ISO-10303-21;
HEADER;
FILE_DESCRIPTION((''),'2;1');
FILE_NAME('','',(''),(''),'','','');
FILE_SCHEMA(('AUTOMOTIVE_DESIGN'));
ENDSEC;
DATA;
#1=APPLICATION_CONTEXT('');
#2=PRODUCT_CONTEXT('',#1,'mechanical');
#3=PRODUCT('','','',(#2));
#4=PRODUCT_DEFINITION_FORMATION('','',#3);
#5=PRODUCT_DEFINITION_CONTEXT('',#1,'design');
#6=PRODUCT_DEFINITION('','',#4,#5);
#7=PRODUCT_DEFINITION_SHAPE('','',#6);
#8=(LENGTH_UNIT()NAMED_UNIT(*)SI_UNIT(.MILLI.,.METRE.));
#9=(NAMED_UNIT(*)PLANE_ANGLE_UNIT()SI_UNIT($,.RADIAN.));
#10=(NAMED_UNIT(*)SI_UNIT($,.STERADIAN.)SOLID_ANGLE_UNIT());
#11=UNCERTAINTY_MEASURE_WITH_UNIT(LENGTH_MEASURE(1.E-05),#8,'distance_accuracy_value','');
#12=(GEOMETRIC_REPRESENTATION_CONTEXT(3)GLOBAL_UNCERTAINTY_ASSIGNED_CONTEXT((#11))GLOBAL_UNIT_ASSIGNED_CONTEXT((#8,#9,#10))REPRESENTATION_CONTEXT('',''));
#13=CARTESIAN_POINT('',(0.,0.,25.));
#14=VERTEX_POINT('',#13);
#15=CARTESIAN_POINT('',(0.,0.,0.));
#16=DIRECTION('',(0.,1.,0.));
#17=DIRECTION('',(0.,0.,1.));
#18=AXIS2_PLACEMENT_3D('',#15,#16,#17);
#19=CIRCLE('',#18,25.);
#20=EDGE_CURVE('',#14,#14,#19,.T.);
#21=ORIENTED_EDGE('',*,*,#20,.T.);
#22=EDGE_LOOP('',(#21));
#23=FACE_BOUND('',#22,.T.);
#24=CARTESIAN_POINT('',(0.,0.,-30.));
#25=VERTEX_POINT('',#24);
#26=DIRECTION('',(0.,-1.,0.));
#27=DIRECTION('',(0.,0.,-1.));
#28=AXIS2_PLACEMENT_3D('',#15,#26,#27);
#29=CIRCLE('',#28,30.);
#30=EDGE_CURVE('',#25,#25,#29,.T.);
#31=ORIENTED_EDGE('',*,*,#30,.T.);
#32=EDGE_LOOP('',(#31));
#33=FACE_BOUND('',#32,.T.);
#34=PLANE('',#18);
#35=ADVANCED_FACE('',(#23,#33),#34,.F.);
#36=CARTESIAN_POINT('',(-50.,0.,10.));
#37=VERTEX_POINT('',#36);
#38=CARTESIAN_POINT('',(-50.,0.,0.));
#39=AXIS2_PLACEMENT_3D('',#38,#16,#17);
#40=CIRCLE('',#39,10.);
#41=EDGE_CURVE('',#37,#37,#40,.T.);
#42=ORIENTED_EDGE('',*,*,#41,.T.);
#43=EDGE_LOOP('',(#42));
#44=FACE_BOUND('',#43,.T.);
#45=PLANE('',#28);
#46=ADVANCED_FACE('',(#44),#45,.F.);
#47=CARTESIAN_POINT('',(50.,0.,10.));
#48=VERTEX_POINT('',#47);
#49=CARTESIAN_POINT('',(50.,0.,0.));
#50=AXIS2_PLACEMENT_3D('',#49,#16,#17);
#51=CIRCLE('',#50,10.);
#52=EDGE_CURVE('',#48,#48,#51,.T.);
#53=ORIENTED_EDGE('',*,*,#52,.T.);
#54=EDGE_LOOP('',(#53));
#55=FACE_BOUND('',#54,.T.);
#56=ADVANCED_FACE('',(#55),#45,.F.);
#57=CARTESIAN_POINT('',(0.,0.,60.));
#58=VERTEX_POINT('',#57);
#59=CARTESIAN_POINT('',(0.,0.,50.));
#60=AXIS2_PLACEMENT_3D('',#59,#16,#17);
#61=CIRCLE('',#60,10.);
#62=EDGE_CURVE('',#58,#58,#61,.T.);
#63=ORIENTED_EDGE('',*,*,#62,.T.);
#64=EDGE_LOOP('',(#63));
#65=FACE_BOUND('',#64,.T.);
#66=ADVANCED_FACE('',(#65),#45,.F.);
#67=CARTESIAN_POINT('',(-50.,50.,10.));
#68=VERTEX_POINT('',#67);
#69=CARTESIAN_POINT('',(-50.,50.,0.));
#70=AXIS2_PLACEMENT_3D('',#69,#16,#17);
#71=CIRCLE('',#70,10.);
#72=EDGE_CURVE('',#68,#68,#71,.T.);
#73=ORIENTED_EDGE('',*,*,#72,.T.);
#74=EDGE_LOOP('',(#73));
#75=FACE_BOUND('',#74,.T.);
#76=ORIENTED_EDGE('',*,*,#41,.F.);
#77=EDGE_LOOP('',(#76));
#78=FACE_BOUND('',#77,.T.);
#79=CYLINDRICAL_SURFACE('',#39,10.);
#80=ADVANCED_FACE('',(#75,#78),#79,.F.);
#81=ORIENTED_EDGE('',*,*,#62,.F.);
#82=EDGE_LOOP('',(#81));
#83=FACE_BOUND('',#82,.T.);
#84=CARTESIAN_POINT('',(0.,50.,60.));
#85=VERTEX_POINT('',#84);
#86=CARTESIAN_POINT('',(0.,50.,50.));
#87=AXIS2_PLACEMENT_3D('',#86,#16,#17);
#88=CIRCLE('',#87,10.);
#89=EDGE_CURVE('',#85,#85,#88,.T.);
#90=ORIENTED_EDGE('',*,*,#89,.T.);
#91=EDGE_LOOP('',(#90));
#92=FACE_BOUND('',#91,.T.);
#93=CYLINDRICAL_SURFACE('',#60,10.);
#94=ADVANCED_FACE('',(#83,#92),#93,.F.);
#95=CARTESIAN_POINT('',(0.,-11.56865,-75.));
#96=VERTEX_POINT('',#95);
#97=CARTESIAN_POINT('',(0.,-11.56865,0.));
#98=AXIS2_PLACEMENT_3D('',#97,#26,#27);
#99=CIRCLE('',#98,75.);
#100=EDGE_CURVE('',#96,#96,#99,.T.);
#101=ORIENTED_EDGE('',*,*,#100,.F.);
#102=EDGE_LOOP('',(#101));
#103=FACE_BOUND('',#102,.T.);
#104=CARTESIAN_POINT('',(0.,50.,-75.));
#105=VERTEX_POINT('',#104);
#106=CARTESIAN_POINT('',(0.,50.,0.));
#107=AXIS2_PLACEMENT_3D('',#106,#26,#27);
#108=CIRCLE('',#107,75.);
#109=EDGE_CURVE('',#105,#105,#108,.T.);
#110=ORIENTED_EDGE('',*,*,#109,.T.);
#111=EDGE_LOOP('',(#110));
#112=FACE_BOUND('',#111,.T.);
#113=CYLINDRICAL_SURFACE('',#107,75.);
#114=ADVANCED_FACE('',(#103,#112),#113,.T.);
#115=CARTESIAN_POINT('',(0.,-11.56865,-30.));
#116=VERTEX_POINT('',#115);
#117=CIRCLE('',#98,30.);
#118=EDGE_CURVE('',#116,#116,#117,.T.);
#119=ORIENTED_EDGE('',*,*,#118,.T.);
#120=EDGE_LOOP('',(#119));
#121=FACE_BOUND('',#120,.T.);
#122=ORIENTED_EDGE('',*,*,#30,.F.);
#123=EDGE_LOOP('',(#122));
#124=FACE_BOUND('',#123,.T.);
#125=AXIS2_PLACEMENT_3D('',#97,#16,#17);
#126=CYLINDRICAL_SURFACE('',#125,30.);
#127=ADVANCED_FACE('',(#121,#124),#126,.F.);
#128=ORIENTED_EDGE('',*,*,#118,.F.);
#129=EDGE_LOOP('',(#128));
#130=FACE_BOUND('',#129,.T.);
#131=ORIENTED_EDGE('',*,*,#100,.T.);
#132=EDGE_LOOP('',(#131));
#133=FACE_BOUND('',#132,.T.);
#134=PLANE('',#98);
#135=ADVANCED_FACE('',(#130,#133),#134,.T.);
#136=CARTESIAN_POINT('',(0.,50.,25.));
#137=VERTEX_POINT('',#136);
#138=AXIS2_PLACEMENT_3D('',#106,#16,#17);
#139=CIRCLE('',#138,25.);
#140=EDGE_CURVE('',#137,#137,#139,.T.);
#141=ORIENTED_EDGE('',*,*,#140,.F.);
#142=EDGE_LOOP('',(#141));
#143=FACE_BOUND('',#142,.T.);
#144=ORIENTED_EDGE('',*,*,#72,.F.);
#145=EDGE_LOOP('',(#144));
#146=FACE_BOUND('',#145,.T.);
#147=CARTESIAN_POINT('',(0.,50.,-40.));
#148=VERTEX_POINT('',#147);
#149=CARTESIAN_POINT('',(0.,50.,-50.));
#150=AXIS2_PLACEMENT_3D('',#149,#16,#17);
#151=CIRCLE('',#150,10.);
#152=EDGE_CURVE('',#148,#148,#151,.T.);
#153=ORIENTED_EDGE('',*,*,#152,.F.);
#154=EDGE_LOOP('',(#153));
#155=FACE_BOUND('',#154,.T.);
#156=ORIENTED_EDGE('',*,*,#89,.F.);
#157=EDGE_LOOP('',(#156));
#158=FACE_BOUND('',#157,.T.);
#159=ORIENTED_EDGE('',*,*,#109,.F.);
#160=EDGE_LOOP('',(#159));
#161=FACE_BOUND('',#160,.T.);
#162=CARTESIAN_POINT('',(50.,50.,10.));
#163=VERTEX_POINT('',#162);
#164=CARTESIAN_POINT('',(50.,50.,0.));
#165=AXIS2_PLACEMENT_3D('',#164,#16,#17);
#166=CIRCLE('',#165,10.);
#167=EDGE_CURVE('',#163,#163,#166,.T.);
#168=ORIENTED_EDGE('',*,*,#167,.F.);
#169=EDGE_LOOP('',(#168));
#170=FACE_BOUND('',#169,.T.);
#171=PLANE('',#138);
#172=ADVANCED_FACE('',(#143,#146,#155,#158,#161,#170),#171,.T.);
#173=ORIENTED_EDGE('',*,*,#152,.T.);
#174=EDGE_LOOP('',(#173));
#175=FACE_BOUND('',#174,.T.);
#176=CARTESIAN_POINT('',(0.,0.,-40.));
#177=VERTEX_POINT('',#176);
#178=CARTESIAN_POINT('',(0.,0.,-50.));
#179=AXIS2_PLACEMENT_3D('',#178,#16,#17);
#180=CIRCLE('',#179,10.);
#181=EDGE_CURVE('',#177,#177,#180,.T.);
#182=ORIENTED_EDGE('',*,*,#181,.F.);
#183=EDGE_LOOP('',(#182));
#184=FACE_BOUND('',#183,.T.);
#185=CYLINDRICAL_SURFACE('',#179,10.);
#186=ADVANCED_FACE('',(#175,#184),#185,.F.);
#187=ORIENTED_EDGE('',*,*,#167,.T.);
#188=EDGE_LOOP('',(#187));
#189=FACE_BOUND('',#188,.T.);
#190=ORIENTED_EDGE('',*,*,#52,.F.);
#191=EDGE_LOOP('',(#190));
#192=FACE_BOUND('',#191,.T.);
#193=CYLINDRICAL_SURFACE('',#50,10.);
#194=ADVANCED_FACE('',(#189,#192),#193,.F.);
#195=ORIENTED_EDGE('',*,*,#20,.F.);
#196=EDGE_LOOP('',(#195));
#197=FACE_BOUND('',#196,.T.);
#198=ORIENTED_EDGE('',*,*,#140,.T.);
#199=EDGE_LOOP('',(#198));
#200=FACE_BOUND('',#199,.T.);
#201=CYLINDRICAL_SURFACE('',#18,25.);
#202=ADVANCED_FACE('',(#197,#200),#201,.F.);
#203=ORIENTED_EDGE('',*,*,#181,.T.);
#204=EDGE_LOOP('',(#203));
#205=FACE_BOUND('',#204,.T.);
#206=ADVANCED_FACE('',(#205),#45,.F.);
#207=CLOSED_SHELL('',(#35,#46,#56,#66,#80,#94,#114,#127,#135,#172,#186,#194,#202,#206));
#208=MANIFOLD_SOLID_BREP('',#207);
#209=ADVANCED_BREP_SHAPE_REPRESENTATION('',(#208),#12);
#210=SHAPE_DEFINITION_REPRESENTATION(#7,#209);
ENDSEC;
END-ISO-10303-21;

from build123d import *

# Parameters (mm, degrees)
SKETCH1_R           = 30
BOSS_EXTRUDE1_DEPTH = 50
SKETCH2_R           = 75
BOSS_EXTRUDE2_DEPTH = 50
SKETCH3_R           = 25
SKETCH3_R_2         = 10
CUT_EXTRUDE1_DEPTH  = 50
BOSS_EXTRUDE4_START = 11.56865
SKETCH5_R           = 75
SKETCH5_R_2         = 30
BOSS_EXTRUDE4_DEPTH = 11.56865


with BuildPart() as part:
    # Sketch1 → Boss-Extrude1 (new body)
    with BuildSketch(Plane(origin=(0, 0, 0), x_dir=(1, 0, 0), z_dir=(0, 1, 0))):
        with Locations(Location((0, 0, 0), (0, 0, 270))):
            Circle(SKETCH1_R)
    extrude(amount=BOSS_EXTRUDE1_DEPTH)

    # Sketch2 → Boss-Extrude2 (add)
    with BuildSketch(Plane(origin=(0, 0, 0), x_dir=(-1, 0, 0), z_dir=(0, -1, 0))):
        with Locations(Location((0, 0, 0), (0, 0, 90))):
            Circle(SKETCH2_R)
    extrude(amount=-BOSS_EXTRUDE2_DEPTH)

    # Sketch3 → Cut-Extrude1 (cut)
    with BuildSketch(Plane(origin=(0, 50, 0), x_dir=(1, 0, 0), z_dir=(0, 1, 0))):
        with Locations(Location((0, 0, 0), (0, 0, 270))):
            Circle(SKETCH3_R)
        with Locations(Location((0, -50, 0), (0, 0, 270))):
            Circle(SKETCH3_R_2)
        with Locations(Location((50, 0, 0), (0, 0, 270))):
            Circle(SKETCH3_R_2)
        with Locations(Location((0, 50, 0), (0, 0, 270))):
            Circle(SKETCH3_R_2)
        with Locations(Location((-50, 0, 0), (0, 0, 270))):
            Circle(SKETCH3_R_2)
    extrude(amount=-CUT_EXTRUDE1_DEPTH, mode=Mode.SUBTRACT)

    # Sketch5 → Boss-Extrude4 (add)
    with BuildSketch(Plane(origin=(0, 0, 0), x_dir=(-1, 0, 0), z_dir=(0, -1, 0)).offset(BOSS_EXTRUDE4_START)):
        with Locations(Location((0, 0, 0), (0, 0, 90))):
            Circle(SKETCH5_R)
        with Locations(Location((0, 0, 0), (0, 0, 90))):
            Circle(SKETCH5_R_2, mode=Mode.SUBTRACT)
    extrude(amount=-BOSS_EXTRUDE4_DEPTH)


solid = part.part
